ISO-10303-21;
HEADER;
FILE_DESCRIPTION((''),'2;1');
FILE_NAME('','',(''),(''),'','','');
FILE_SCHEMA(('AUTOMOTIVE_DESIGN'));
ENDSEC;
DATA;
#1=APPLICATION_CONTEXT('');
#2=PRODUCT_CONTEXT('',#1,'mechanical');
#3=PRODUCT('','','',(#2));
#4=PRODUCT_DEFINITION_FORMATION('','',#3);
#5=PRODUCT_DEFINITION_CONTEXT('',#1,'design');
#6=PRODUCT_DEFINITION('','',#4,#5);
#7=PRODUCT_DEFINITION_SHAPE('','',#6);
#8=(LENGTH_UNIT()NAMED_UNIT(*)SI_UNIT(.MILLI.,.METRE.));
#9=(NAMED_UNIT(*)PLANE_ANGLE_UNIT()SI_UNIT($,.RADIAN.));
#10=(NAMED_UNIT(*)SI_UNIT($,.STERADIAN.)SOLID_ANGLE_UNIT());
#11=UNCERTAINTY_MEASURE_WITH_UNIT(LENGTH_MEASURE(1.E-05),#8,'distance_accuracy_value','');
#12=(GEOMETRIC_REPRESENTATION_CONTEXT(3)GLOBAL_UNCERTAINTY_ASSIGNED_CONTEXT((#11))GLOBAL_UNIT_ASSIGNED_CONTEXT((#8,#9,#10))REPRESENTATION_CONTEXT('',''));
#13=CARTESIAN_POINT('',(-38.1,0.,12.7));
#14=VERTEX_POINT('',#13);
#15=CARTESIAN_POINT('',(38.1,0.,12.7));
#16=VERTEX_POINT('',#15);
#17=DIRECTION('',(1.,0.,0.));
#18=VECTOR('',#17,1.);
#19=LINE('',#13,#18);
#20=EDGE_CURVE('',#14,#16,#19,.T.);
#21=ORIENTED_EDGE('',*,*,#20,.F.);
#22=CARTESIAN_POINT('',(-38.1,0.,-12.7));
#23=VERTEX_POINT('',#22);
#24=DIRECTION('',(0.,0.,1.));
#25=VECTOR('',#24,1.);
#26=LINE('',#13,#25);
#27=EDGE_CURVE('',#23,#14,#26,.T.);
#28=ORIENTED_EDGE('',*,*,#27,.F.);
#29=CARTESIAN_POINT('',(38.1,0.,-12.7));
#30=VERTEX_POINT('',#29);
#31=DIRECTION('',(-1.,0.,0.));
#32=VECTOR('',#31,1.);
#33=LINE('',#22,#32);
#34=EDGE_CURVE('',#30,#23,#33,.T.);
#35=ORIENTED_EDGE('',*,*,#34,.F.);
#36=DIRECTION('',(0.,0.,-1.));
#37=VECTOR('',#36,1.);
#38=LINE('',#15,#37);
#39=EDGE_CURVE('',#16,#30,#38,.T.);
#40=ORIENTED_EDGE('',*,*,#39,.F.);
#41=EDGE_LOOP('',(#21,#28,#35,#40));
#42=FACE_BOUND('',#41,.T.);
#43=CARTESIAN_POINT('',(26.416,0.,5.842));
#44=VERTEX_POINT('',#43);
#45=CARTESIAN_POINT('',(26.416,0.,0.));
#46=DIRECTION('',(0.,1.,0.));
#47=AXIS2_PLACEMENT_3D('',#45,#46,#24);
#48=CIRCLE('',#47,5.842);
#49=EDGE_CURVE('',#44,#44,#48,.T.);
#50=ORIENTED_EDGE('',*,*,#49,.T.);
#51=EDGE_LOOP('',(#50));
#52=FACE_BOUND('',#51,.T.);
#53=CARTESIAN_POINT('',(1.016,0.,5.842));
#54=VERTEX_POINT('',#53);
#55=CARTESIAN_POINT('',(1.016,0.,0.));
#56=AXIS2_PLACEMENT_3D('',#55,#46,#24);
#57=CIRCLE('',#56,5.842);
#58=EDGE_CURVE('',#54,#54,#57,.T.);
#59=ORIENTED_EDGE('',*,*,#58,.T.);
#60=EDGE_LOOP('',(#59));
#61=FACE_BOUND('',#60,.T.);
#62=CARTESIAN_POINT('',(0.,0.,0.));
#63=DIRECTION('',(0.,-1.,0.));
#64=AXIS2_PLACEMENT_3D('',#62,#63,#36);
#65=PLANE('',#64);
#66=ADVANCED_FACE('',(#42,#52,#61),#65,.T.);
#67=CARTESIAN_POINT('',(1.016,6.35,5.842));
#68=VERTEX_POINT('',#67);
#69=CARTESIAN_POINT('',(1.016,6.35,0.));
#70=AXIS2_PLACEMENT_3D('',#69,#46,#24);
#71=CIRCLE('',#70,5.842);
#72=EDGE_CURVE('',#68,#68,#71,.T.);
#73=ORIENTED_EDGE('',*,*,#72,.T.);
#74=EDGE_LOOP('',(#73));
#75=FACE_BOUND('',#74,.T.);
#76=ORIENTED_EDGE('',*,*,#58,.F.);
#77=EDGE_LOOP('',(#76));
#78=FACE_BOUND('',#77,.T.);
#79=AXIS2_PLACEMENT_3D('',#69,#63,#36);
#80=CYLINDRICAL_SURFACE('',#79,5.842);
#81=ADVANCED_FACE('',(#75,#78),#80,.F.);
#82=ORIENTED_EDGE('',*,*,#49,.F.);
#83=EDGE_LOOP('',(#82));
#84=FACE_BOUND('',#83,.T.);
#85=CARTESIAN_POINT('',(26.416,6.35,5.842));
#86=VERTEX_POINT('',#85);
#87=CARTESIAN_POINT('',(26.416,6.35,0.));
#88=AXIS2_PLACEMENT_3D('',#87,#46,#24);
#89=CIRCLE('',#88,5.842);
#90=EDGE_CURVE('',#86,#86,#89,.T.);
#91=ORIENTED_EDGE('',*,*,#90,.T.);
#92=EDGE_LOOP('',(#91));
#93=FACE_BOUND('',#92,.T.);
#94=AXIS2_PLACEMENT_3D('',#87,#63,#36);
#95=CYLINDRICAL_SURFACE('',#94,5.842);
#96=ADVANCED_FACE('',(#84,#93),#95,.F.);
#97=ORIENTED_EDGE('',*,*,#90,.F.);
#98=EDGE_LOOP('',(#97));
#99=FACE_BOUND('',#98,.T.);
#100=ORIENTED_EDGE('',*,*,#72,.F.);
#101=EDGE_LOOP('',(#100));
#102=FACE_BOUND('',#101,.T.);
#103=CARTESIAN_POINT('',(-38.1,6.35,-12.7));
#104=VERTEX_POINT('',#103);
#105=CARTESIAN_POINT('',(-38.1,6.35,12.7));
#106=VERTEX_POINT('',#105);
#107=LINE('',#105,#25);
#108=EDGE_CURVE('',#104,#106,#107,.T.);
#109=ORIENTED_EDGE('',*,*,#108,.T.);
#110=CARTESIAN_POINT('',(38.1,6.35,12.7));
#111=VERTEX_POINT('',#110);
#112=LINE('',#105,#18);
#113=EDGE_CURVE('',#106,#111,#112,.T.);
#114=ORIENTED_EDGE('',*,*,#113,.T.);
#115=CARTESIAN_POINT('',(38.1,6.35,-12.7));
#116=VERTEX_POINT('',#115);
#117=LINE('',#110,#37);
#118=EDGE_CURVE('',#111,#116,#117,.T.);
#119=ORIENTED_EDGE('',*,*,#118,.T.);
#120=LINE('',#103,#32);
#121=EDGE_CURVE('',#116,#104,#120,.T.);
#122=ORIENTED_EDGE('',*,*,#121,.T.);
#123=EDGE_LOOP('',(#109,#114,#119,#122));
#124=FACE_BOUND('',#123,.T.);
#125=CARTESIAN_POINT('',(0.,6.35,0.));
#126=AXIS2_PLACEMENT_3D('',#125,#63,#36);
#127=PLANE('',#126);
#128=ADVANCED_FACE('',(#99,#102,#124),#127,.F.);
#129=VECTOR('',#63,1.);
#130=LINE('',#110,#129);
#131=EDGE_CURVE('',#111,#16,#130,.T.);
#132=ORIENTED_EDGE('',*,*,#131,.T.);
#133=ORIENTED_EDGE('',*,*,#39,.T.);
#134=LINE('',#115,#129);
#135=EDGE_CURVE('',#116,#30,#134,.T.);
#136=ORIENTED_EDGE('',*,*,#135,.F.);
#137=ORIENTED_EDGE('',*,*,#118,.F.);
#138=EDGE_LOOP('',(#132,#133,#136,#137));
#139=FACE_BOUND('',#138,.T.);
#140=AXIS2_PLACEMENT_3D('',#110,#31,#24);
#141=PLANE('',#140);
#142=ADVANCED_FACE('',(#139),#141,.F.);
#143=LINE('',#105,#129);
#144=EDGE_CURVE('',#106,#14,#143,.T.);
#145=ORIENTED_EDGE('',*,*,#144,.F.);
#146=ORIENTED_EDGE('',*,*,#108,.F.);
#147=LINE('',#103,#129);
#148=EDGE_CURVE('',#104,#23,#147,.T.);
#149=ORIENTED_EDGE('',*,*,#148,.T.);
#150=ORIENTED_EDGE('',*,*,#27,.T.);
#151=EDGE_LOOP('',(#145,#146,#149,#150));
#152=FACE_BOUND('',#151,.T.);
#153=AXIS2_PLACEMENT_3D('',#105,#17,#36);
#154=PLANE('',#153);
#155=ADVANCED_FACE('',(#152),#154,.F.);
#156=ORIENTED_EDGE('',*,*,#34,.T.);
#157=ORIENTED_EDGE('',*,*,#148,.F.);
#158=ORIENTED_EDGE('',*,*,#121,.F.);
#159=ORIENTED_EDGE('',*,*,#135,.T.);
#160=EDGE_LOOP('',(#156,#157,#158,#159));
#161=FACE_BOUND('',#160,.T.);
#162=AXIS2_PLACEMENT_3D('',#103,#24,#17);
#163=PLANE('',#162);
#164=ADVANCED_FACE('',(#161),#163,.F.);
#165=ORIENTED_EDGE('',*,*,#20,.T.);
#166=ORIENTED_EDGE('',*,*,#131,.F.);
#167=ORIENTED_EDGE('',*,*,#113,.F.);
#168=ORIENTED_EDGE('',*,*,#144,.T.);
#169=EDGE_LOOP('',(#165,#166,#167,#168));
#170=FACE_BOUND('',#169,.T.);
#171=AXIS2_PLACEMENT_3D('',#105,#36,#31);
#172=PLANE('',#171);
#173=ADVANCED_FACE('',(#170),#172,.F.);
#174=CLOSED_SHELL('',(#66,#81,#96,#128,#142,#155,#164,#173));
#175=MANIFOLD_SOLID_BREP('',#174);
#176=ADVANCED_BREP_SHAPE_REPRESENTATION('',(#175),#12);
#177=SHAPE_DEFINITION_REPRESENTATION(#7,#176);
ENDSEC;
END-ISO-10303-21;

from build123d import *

# Parameters (mm, degrees)
SKETCH1_W           = 76.2
SKETCH1_H           = 25.4
SKETCH1_R           = 5.842
BOSS_EXTRUDE1_DEPTH = 6.35


with BuildPart() as part:
    # Sketch1 → Boss-Extrude1 (new body)
    with BuildSketch(Plane(origin=(0, 0, 0), x_dir=(1, 0, 0), z_dir=(0, 1, 0))):
        Rectangle(SKETCH1_W, SKETCH1_H)
        with Locations((26.416, 0)):
            Circle(SKETCH1_R, mode=Mode.SUBTRACT)
        with Locations((1.016, 0)):
            Circle(SKETCH1_R, mode=Mode.SUBTRACT)
    extrude(amount=BOSS_EXTRUDE1_DEPTH)


solid = part.part
